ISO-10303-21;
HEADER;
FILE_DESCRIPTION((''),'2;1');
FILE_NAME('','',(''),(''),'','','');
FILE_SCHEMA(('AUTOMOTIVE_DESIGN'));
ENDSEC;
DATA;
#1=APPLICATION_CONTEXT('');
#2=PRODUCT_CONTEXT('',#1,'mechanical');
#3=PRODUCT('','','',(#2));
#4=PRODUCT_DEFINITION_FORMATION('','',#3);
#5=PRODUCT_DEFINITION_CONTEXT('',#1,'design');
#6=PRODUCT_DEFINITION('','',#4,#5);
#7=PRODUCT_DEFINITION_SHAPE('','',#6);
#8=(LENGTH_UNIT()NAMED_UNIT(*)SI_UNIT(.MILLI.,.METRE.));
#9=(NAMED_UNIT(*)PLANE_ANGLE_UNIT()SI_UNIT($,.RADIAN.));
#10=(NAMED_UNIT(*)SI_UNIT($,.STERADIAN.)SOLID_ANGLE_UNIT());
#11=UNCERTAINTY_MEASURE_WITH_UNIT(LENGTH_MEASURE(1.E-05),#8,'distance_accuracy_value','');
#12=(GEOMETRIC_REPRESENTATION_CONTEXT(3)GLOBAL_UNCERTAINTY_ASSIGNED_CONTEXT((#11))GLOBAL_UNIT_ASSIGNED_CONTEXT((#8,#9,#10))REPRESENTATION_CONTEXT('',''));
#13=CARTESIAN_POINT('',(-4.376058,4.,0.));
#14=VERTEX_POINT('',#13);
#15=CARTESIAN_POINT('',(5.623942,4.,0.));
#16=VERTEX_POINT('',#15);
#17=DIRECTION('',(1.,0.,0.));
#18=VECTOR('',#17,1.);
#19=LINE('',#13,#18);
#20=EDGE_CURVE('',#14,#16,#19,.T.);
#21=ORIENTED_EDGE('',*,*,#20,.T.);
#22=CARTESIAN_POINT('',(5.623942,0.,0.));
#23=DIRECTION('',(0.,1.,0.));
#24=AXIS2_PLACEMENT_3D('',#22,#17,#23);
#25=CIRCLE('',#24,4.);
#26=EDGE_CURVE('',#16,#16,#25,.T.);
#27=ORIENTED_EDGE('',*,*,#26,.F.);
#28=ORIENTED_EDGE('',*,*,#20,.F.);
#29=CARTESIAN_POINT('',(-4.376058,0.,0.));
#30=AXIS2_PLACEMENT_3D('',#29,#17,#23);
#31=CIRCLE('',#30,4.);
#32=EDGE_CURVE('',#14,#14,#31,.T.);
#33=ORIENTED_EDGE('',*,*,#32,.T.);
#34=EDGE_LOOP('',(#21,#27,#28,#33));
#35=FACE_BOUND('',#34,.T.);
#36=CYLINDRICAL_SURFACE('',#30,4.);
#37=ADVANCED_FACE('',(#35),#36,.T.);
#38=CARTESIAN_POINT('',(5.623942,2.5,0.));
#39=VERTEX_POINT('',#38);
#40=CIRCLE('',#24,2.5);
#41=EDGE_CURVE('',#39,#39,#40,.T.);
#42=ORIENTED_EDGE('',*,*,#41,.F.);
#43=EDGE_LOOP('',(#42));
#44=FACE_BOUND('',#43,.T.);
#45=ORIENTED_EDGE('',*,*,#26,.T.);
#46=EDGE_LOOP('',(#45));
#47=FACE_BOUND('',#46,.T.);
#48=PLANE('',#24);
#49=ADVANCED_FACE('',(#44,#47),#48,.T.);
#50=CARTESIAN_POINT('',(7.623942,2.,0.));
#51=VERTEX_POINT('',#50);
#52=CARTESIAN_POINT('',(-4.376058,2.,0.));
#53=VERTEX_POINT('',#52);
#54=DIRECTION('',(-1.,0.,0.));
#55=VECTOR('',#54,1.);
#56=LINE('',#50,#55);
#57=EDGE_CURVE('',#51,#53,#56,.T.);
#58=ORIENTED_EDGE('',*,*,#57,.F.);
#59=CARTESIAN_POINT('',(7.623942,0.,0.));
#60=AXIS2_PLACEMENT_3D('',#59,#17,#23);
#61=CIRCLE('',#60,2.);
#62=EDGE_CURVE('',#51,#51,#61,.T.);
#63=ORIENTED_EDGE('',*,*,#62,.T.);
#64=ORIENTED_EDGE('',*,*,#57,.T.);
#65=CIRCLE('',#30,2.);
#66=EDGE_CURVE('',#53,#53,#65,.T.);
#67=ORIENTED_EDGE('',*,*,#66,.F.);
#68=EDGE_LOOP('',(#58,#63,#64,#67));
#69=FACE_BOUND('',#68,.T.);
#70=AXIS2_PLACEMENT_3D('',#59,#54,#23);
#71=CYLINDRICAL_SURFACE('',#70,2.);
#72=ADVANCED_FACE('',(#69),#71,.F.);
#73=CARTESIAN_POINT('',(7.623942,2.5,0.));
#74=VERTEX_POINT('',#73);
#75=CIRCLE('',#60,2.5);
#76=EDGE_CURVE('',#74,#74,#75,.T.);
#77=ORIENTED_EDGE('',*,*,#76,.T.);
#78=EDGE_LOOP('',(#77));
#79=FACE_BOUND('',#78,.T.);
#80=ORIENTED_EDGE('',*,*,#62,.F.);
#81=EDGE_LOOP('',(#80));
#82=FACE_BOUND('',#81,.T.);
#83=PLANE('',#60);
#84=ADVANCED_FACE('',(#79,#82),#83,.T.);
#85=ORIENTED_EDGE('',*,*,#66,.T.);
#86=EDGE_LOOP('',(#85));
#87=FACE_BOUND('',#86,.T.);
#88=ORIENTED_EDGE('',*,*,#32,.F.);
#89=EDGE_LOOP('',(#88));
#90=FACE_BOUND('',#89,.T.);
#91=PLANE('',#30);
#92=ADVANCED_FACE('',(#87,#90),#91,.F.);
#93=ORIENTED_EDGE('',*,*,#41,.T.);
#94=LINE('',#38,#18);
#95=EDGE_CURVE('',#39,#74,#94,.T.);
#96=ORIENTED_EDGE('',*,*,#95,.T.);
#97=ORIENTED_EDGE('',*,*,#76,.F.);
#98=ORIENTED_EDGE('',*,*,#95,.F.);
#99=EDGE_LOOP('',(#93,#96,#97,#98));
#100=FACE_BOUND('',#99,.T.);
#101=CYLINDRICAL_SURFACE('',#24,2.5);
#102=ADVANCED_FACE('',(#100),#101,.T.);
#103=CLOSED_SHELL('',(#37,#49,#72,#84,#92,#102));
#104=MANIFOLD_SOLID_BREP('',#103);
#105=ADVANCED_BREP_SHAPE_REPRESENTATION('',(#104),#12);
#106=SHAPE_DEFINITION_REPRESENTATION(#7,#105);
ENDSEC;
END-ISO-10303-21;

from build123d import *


with BuildPart() as part:
    # Sketch1 → Revolve1 (revolve)
    with BuildSketch(Plane.XY):
        Polygon((-4.376057876, 2), (-4.376057876, 4), (5.623942124, 4), (5.623942124, 2.5), (7.623942124, 2.5), (7.623942124, 2), align=None)
    revolve(axis=Axis((-6.194239694, 0, 0), (1, 0, 0)))


solid = part.part
